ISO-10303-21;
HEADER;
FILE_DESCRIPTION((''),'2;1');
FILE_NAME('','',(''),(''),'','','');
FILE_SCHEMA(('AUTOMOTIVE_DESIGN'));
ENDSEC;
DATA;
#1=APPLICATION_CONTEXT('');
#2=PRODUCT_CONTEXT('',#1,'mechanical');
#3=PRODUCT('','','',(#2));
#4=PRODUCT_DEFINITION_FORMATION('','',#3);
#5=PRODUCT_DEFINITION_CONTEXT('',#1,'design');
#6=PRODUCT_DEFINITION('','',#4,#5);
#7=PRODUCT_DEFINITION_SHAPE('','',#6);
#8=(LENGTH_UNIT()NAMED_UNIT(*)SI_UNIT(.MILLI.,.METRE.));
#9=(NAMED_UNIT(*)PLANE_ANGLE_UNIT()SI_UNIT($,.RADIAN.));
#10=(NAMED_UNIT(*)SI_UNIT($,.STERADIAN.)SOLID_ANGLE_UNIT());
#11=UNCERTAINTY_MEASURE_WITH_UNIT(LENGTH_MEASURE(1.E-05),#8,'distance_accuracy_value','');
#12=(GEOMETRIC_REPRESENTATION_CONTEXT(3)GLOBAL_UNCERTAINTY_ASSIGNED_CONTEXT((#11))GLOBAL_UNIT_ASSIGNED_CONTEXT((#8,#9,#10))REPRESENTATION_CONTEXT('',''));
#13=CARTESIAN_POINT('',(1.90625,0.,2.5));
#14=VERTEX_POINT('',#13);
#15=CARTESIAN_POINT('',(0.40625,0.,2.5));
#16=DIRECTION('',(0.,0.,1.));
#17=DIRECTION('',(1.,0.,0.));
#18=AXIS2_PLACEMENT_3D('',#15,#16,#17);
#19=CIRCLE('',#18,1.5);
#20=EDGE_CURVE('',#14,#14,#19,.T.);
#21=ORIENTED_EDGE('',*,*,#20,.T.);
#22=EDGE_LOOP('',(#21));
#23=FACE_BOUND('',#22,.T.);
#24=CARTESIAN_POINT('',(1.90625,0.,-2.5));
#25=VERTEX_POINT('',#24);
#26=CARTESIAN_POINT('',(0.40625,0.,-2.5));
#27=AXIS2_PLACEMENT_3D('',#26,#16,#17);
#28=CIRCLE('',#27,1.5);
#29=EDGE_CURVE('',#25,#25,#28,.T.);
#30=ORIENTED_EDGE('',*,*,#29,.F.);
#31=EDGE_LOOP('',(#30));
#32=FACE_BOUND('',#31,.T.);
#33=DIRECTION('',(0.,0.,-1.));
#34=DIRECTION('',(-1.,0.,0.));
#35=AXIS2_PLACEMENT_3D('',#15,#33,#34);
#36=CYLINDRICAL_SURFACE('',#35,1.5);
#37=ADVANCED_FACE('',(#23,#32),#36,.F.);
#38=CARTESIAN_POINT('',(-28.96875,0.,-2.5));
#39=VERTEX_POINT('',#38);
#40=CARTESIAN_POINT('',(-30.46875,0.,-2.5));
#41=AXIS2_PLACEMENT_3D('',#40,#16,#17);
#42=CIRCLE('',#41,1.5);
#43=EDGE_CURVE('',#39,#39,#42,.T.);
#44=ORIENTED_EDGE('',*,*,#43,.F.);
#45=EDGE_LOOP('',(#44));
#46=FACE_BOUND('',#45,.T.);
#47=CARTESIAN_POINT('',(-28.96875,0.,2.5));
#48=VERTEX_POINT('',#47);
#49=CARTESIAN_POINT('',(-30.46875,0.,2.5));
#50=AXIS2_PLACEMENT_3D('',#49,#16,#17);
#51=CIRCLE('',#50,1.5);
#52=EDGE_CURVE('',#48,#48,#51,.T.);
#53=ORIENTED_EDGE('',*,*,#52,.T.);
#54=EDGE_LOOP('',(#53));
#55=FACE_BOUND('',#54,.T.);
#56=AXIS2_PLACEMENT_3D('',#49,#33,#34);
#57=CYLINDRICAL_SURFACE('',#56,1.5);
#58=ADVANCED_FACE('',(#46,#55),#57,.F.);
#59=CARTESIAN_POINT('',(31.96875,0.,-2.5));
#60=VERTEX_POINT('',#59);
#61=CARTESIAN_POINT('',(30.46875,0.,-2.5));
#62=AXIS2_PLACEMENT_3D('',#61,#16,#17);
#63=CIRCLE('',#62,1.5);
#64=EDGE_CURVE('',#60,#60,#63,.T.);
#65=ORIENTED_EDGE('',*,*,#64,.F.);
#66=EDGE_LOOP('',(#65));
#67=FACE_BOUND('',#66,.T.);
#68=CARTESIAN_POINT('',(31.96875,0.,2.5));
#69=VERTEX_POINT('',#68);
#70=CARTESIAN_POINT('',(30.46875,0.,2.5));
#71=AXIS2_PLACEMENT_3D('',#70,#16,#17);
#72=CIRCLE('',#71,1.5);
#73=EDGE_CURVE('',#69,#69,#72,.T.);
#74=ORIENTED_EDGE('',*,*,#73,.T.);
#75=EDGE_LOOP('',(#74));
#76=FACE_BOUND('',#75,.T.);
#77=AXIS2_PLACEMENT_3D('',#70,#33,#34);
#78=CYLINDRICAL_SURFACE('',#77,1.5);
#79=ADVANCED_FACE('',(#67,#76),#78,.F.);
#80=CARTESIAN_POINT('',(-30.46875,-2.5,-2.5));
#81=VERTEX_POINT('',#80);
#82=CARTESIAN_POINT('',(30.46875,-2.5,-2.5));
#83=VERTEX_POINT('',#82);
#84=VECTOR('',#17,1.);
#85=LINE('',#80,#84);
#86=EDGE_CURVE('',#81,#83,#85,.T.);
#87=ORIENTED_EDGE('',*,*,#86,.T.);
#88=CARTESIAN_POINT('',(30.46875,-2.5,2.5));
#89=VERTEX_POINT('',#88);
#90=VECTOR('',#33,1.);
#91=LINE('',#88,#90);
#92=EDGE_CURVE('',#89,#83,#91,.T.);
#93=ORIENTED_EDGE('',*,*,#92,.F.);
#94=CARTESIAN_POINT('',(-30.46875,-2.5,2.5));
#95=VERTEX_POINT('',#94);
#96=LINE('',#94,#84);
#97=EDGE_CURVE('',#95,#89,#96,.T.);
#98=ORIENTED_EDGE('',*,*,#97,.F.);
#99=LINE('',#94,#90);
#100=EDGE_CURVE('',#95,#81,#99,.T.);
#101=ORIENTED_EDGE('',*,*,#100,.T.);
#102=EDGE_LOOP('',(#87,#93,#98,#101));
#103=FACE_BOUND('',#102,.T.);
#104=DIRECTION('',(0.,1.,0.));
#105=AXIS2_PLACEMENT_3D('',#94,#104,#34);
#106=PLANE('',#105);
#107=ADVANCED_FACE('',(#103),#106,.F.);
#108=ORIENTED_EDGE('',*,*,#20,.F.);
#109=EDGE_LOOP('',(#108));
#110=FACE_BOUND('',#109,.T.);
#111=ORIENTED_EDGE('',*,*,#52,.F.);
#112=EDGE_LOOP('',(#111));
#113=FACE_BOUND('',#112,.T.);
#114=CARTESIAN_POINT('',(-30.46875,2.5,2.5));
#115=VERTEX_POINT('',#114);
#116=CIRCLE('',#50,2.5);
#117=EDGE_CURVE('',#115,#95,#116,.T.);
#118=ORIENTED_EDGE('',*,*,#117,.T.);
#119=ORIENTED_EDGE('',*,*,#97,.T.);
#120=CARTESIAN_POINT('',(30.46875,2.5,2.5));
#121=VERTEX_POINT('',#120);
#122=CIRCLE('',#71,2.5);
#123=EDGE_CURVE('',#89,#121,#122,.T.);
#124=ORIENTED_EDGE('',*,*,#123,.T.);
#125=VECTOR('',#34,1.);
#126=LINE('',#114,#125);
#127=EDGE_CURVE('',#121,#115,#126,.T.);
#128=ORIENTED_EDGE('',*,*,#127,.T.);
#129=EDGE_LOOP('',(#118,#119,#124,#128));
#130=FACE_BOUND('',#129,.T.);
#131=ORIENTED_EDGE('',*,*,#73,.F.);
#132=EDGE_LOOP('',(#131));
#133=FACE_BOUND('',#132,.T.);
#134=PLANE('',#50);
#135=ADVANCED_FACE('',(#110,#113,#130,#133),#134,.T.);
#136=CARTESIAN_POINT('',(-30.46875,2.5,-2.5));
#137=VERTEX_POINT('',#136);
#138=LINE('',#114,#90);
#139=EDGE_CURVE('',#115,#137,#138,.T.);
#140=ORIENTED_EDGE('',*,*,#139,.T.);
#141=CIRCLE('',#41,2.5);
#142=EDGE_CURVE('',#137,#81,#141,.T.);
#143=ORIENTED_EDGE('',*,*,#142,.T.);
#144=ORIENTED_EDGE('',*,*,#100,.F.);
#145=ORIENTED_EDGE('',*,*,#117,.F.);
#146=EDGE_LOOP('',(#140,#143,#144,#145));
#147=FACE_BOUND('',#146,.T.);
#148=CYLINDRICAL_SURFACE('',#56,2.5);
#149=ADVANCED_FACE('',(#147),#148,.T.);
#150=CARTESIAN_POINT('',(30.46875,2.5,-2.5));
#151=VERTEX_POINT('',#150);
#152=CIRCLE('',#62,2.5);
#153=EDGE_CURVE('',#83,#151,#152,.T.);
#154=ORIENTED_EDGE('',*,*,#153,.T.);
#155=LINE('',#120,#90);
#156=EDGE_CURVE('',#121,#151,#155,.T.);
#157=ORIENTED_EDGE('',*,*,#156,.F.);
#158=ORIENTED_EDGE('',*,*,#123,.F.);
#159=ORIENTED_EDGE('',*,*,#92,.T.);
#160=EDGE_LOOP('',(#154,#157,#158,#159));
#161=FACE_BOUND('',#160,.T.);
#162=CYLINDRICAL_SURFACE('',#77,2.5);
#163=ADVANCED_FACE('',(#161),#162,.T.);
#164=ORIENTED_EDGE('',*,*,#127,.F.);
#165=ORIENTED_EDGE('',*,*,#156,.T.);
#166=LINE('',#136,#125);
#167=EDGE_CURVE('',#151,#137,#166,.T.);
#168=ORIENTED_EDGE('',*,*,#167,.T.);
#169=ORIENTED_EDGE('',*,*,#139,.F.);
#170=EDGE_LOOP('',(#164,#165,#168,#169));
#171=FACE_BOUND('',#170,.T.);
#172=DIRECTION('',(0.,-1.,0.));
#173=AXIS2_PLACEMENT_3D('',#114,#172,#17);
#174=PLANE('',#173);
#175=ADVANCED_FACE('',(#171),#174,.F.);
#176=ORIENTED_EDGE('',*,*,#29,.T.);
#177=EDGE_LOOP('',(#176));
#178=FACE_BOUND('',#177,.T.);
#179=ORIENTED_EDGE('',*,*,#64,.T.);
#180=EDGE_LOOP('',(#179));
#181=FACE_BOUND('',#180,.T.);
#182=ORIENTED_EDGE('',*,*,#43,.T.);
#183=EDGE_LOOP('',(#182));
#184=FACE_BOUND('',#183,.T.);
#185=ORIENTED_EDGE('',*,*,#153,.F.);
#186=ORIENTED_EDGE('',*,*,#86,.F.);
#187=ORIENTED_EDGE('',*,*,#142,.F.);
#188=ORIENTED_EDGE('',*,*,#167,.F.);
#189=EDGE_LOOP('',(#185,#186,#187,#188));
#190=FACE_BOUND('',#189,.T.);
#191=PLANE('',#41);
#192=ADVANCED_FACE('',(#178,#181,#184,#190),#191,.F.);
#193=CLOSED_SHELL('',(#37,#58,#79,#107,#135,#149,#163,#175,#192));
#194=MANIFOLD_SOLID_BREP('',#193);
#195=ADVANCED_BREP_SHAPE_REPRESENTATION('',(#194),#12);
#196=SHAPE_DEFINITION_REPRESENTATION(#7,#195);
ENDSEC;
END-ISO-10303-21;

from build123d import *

# Parameters (mm, degrees)
SKETCH1_R           = 1.5
BOSS_EXTRUDE1_DEPTH = 2.5


with BuildPart() as part:
    # Sketch1 → Boss-Extrude1 (new, symmetric)
    with BuildSketch(Plane.XY):
        with BuildLine():
            Line((-30.46875, 2.5), (30.46875, 2.5))
            ThreePointArc((30.46875, 2.5), (32.96875, 0), (30.46875, -2.5))
            Line((30.46875, -2.5), (-30.46875, -2.5))
            ThreePointArc((-30.46875, -2.5), (-32.96875, 0), (-30.46875, 2.5))
        make_face()
        with Locations((-30.46875, 0)):
            Circle(SKETCH1_R, mode=Mode.SUBTRACT)
        with Locations((30.46875, 0)):
            Circle(SKETCH1_R, mode=Mode.SUBTRACT)
        with Locations((0.40625, 0)):
            Circle(SKETCH1_R, mode=Mode.SUBTRACT)
    extrude(amount=BOSS_EXTRUDE1_DEPTH, both=True)


solid = part.part
